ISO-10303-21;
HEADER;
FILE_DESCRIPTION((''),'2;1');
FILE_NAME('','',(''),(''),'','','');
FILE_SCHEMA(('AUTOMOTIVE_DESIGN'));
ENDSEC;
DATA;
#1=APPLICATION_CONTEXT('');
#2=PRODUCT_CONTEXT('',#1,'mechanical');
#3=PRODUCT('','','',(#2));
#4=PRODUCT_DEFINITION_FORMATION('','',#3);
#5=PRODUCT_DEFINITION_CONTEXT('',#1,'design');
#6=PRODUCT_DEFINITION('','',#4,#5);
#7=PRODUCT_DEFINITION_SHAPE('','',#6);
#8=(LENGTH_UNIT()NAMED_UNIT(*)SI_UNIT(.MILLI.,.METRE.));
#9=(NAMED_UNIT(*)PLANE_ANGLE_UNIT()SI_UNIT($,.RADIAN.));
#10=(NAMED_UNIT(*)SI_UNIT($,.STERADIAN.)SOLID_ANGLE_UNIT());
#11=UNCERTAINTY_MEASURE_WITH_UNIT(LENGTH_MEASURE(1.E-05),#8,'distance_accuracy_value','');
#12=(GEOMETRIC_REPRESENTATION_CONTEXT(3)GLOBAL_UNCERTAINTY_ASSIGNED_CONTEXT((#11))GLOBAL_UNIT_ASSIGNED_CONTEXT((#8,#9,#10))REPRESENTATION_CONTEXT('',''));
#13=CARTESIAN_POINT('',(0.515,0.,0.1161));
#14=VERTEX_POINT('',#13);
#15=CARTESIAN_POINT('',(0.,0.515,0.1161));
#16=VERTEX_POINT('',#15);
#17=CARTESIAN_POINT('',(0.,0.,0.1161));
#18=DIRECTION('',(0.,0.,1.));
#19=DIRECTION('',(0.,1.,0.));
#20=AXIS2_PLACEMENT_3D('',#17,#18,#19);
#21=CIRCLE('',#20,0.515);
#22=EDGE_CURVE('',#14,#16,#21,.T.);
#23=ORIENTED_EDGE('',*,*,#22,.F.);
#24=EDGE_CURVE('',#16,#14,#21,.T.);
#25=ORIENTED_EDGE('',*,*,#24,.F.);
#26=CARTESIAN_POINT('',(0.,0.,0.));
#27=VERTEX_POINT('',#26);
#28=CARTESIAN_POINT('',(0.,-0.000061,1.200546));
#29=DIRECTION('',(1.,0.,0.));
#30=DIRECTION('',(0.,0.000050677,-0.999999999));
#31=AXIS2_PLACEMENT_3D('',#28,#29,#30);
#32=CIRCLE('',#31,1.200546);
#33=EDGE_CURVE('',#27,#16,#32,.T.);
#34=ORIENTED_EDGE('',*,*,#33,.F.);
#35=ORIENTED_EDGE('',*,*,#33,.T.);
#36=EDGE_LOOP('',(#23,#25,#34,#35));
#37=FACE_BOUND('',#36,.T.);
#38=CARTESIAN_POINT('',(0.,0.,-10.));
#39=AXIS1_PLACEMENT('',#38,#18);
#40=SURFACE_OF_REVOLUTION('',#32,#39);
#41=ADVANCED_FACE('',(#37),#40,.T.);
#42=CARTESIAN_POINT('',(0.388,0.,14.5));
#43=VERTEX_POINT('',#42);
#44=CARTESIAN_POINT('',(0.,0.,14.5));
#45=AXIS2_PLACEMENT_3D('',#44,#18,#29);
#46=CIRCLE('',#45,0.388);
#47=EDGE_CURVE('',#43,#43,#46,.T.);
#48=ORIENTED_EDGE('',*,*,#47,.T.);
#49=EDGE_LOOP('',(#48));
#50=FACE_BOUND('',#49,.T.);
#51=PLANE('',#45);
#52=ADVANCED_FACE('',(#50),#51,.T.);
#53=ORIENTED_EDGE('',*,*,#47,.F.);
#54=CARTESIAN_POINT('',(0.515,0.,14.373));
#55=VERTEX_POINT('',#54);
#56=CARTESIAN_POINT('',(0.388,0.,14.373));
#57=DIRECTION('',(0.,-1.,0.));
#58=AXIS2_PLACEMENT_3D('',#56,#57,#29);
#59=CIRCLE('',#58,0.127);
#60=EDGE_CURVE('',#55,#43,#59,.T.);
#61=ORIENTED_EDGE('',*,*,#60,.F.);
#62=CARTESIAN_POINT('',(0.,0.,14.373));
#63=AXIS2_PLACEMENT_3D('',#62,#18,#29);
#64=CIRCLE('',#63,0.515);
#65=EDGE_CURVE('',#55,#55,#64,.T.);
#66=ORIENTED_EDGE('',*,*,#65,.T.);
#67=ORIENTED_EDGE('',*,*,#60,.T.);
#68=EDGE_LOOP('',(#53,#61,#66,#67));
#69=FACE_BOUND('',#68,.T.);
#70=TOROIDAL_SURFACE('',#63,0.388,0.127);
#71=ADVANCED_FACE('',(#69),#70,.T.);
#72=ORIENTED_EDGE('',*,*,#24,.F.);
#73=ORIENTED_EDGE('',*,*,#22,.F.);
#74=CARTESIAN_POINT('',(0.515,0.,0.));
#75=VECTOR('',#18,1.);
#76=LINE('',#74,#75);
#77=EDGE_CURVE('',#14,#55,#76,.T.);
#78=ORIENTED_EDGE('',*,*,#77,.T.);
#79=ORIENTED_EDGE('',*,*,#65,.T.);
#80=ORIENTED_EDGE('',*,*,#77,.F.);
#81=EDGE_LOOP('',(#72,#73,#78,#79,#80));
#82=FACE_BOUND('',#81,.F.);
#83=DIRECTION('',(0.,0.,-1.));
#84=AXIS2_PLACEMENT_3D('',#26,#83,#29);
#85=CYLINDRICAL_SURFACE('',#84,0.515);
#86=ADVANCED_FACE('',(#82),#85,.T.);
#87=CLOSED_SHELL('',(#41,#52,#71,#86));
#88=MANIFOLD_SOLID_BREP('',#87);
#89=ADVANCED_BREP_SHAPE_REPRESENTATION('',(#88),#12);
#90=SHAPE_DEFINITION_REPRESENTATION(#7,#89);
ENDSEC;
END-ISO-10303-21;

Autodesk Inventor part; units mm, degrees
ref_plane "YZ Plane" through (0, 0, 0) normal (1, 0, 0) x (0, 1, 0)
ref_plane "XZ Plane" through (0, 0, 0) normal (0, 1, 0) x (-1, 0, 0)
sketch "Sketch1" plane through (0, 0, 0) normal (0, 0, 1) x (1, 0, 0)
  circle A0 centre (0, 0) radius 0.515
  dimension "d0" = 1.03
extrude "Extrusion1" add sketch "Sketch1" along normal blind 14.5
thread "Thread1" size "110-102 UNM" class "2A" standard "ANSI Unified Screw Threads" full length
sketch "Sketch2" plane through (0, 0, 0) normal (1, 0, 0) x (0, 1, 0)
  line L0 (-0.515, 14.5) -> (0.515, 14.5) projected
  line L1 (-0.515, 0) -> (-0.515, 14.5) projected
  line L2 (0.515, 0) -> (0.515, 14.5) projected
  arc A0 (0, 0) -> (0.515, 0.1161) centre (0, 1.2) ccw
  line L3 (-0.515, 0) -> (0.515, 0) projected
  line L4 (0.515, 0.1161) -> (0.515, 0)
  line L5 (0, 0) -> (0.515, 0)
  line L6 (0, -2.7344) -> (0, 16.2057) projected
  point P0 (0, 0)
  point P1 (0, 0)
revolve "Revolution1" cut sketch "Sketch2" angle 360 about axis through (0, 0, -10) along (0, 0, 1) contours A0 L2 L3
ref_plane "Work Plane3" through (0, 0, 7.25) normal (0, 0, 1) x (1, 0, 0)
mirror "Mirror1" [suppressed]
ref_plane "Work Plane4" through (0, 0, 14.5) normal (0, 0, 1) x (1, 0, 0)
fillet "Fillet1" radius 0.127 1 edges at (-0.515, 0, 14.5)
equation "\"d10\" = 0.5 * d1"
equation "\"d11\" = d1"
equation "\"d1\" = 14.5"
properties part number "MU_Motor_Thread_cutting" material "Brass, Soft Yellow"
